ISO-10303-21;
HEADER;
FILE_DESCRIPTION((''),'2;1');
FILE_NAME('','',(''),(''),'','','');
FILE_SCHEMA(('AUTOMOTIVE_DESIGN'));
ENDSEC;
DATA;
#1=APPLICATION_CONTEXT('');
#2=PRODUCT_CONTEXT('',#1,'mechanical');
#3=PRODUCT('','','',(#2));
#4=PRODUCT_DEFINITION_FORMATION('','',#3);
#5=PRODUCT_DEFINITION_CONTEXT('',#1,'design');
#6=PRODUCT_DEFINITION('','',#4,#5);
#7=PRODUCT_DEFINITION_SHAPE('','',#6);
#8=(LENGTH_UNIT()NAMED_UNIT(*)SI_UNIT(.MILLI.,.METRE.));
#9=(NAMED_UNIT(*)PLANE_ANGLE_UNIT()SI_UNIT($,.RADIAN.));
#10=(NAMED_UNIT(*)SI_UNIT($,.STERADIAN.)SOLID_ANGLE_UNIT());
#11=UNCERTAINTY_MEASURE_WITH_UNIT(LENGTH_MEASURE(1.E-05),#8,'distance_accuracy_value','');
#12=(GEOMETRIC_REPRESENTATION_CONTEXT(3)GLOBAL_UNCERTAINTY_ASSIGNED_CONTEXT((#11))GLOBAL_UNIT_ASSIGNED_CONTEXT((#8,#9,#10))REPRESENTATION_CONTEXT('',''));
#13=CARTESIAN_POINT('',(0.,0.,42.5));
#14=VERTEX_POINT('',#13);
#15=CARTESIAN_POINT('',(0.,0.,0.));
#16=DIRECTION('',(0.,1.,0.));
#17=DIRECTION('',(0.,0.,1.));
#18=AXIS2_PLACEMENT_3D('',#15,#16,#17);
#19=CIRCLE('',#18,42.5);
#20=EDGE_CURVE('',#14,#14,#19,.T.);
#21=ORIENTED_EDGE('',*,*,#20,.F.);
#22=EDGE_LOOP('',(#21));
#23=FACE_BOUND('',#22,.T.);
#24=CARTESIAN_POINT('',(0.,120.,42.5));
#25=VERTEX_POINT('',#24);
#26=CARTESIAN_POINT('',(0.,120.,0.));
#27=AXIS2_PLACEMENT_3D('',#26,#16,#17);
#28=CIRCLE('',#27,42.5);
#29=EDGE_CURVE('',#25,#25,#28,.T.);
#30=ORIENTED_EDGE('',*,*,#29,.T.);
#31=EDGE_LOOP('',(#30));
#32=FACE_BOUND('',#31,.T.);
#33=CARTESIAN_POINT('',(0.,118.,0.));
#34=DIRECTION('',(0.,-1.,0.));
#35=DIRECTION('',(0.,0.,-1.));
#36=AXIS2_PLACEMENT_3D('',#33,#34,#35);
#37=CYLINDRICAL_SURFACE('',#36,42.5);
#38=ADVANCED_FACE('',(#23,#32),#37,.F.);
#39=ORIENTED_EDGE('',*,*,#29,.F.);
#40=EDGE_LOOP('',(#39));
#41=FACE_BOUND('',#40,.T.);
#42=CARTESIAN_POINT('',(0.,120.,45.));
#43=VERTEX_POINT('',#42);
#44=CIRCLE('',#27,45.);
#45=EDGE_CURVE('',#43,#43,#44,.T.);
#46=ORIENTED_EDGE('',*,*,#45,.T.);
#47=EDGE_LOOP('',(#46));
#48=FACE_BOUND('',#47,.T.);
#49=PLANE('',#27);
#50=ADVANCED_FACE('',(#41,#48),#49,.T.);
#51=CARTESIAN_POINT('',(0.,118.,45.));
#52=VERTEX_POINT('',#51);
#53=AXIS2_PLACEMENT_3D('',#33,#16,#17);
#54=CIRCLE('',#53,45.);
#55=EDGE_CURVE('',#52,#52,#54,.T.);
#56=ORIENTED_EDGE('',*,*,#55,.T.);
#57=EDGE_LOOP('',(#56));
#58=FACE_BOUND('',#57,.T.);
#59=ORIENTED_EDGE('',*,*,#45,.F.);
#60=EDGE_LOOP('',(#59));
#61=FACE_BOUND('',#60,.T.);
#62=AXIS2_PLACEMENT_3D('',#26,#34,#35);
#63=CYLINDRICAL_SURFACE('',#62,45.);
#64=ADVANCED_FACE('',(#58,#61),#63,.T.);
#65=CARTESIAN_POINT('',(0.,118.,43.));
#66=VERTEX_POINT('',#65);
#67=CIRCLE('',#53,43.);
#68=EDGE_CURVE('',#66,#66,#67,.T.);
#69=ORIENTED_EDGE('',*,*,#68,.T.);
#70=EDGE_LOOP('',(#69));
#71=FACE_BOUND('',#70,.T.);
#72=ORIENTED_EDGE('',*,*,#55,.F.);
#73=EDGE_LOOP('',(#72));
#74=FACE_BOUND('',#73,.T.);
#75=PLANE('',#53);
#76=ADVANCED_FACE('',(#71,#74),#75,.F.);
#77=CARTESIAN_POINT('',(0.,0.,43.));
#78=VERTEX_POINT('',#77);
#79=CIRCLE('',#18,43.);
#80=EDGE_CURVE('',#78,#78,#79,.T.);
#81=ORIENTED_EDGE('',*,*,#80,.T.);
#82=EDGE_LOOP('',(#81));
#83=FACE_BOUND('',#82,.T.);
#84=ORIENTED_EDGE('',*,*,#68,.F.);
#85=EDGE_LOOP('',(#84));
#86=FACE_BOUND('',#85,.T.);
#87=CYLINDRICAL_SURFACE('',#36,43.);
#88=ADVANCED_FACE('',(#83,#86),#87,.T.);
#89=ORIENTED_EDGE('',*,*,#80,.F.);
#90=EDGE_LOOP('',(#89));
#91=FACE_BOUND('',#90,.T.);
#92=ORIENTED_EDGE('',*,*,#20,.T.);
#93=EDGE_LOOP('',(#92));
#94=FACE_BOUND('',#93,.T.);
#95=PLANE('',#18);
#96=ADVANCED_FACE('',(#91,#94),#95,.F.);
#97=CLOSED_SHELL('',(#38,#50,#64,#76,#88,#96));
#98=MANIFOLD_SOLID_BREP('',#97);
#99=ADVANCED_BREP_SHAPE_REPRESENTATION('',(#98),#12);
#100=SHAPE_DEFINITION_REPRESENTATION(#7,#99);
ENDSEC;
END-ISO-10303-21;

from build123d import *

# Parameters (mm, degrees)
SKETCH1_R           = 43
SKETCH1_R_2         = 42.5
BOSS_EXTRUDE1_DEPTH = 118
SKETCH2_R           = 45
SKETCH2_R_2         = 42.5
BOSS_EXTRUDE2_DEPTH = 2


with BuildPart() as part:
    # Sketch1 → Boss-Extrude1 (new body)
    with BuildSketch(Plane(origin=(0, 0, 0), x_dir=(1, 0, 0), z_dir=(0, 1, 0))):
        with Locations(Location((0, 0, 0), (0, 0, 270))):
            Circle(SKETCH1_R)
        with Locations(Location((0, 0, 0), (0, 0, 270))):
            Circle(SKETCH1_R_2, mode=Mode.SUBTRACT)
    extrude(amount=BOSS_EXTRUDE1_DEPTH)

    # Sketch2 → Boss-Extrude2 (add)
    with BuildSketch(Plane(origin=(0, 118, 0), x_dir=(1, 0, 0), z_dir=(0, 1, 0))):
        with Locations(Location((0, 0, 0), (0, 0, 270))):
            Circle(SKETCH2_R)
        with Locations(Location((0, 0, 0), (0, 0, 270))):
            Circle(SKETCH2_R_2, mode=Mode.SUBTRACT)
    extrude(amount=BOSS_EXTRUDE2_DEPTH)


solid = part.part
